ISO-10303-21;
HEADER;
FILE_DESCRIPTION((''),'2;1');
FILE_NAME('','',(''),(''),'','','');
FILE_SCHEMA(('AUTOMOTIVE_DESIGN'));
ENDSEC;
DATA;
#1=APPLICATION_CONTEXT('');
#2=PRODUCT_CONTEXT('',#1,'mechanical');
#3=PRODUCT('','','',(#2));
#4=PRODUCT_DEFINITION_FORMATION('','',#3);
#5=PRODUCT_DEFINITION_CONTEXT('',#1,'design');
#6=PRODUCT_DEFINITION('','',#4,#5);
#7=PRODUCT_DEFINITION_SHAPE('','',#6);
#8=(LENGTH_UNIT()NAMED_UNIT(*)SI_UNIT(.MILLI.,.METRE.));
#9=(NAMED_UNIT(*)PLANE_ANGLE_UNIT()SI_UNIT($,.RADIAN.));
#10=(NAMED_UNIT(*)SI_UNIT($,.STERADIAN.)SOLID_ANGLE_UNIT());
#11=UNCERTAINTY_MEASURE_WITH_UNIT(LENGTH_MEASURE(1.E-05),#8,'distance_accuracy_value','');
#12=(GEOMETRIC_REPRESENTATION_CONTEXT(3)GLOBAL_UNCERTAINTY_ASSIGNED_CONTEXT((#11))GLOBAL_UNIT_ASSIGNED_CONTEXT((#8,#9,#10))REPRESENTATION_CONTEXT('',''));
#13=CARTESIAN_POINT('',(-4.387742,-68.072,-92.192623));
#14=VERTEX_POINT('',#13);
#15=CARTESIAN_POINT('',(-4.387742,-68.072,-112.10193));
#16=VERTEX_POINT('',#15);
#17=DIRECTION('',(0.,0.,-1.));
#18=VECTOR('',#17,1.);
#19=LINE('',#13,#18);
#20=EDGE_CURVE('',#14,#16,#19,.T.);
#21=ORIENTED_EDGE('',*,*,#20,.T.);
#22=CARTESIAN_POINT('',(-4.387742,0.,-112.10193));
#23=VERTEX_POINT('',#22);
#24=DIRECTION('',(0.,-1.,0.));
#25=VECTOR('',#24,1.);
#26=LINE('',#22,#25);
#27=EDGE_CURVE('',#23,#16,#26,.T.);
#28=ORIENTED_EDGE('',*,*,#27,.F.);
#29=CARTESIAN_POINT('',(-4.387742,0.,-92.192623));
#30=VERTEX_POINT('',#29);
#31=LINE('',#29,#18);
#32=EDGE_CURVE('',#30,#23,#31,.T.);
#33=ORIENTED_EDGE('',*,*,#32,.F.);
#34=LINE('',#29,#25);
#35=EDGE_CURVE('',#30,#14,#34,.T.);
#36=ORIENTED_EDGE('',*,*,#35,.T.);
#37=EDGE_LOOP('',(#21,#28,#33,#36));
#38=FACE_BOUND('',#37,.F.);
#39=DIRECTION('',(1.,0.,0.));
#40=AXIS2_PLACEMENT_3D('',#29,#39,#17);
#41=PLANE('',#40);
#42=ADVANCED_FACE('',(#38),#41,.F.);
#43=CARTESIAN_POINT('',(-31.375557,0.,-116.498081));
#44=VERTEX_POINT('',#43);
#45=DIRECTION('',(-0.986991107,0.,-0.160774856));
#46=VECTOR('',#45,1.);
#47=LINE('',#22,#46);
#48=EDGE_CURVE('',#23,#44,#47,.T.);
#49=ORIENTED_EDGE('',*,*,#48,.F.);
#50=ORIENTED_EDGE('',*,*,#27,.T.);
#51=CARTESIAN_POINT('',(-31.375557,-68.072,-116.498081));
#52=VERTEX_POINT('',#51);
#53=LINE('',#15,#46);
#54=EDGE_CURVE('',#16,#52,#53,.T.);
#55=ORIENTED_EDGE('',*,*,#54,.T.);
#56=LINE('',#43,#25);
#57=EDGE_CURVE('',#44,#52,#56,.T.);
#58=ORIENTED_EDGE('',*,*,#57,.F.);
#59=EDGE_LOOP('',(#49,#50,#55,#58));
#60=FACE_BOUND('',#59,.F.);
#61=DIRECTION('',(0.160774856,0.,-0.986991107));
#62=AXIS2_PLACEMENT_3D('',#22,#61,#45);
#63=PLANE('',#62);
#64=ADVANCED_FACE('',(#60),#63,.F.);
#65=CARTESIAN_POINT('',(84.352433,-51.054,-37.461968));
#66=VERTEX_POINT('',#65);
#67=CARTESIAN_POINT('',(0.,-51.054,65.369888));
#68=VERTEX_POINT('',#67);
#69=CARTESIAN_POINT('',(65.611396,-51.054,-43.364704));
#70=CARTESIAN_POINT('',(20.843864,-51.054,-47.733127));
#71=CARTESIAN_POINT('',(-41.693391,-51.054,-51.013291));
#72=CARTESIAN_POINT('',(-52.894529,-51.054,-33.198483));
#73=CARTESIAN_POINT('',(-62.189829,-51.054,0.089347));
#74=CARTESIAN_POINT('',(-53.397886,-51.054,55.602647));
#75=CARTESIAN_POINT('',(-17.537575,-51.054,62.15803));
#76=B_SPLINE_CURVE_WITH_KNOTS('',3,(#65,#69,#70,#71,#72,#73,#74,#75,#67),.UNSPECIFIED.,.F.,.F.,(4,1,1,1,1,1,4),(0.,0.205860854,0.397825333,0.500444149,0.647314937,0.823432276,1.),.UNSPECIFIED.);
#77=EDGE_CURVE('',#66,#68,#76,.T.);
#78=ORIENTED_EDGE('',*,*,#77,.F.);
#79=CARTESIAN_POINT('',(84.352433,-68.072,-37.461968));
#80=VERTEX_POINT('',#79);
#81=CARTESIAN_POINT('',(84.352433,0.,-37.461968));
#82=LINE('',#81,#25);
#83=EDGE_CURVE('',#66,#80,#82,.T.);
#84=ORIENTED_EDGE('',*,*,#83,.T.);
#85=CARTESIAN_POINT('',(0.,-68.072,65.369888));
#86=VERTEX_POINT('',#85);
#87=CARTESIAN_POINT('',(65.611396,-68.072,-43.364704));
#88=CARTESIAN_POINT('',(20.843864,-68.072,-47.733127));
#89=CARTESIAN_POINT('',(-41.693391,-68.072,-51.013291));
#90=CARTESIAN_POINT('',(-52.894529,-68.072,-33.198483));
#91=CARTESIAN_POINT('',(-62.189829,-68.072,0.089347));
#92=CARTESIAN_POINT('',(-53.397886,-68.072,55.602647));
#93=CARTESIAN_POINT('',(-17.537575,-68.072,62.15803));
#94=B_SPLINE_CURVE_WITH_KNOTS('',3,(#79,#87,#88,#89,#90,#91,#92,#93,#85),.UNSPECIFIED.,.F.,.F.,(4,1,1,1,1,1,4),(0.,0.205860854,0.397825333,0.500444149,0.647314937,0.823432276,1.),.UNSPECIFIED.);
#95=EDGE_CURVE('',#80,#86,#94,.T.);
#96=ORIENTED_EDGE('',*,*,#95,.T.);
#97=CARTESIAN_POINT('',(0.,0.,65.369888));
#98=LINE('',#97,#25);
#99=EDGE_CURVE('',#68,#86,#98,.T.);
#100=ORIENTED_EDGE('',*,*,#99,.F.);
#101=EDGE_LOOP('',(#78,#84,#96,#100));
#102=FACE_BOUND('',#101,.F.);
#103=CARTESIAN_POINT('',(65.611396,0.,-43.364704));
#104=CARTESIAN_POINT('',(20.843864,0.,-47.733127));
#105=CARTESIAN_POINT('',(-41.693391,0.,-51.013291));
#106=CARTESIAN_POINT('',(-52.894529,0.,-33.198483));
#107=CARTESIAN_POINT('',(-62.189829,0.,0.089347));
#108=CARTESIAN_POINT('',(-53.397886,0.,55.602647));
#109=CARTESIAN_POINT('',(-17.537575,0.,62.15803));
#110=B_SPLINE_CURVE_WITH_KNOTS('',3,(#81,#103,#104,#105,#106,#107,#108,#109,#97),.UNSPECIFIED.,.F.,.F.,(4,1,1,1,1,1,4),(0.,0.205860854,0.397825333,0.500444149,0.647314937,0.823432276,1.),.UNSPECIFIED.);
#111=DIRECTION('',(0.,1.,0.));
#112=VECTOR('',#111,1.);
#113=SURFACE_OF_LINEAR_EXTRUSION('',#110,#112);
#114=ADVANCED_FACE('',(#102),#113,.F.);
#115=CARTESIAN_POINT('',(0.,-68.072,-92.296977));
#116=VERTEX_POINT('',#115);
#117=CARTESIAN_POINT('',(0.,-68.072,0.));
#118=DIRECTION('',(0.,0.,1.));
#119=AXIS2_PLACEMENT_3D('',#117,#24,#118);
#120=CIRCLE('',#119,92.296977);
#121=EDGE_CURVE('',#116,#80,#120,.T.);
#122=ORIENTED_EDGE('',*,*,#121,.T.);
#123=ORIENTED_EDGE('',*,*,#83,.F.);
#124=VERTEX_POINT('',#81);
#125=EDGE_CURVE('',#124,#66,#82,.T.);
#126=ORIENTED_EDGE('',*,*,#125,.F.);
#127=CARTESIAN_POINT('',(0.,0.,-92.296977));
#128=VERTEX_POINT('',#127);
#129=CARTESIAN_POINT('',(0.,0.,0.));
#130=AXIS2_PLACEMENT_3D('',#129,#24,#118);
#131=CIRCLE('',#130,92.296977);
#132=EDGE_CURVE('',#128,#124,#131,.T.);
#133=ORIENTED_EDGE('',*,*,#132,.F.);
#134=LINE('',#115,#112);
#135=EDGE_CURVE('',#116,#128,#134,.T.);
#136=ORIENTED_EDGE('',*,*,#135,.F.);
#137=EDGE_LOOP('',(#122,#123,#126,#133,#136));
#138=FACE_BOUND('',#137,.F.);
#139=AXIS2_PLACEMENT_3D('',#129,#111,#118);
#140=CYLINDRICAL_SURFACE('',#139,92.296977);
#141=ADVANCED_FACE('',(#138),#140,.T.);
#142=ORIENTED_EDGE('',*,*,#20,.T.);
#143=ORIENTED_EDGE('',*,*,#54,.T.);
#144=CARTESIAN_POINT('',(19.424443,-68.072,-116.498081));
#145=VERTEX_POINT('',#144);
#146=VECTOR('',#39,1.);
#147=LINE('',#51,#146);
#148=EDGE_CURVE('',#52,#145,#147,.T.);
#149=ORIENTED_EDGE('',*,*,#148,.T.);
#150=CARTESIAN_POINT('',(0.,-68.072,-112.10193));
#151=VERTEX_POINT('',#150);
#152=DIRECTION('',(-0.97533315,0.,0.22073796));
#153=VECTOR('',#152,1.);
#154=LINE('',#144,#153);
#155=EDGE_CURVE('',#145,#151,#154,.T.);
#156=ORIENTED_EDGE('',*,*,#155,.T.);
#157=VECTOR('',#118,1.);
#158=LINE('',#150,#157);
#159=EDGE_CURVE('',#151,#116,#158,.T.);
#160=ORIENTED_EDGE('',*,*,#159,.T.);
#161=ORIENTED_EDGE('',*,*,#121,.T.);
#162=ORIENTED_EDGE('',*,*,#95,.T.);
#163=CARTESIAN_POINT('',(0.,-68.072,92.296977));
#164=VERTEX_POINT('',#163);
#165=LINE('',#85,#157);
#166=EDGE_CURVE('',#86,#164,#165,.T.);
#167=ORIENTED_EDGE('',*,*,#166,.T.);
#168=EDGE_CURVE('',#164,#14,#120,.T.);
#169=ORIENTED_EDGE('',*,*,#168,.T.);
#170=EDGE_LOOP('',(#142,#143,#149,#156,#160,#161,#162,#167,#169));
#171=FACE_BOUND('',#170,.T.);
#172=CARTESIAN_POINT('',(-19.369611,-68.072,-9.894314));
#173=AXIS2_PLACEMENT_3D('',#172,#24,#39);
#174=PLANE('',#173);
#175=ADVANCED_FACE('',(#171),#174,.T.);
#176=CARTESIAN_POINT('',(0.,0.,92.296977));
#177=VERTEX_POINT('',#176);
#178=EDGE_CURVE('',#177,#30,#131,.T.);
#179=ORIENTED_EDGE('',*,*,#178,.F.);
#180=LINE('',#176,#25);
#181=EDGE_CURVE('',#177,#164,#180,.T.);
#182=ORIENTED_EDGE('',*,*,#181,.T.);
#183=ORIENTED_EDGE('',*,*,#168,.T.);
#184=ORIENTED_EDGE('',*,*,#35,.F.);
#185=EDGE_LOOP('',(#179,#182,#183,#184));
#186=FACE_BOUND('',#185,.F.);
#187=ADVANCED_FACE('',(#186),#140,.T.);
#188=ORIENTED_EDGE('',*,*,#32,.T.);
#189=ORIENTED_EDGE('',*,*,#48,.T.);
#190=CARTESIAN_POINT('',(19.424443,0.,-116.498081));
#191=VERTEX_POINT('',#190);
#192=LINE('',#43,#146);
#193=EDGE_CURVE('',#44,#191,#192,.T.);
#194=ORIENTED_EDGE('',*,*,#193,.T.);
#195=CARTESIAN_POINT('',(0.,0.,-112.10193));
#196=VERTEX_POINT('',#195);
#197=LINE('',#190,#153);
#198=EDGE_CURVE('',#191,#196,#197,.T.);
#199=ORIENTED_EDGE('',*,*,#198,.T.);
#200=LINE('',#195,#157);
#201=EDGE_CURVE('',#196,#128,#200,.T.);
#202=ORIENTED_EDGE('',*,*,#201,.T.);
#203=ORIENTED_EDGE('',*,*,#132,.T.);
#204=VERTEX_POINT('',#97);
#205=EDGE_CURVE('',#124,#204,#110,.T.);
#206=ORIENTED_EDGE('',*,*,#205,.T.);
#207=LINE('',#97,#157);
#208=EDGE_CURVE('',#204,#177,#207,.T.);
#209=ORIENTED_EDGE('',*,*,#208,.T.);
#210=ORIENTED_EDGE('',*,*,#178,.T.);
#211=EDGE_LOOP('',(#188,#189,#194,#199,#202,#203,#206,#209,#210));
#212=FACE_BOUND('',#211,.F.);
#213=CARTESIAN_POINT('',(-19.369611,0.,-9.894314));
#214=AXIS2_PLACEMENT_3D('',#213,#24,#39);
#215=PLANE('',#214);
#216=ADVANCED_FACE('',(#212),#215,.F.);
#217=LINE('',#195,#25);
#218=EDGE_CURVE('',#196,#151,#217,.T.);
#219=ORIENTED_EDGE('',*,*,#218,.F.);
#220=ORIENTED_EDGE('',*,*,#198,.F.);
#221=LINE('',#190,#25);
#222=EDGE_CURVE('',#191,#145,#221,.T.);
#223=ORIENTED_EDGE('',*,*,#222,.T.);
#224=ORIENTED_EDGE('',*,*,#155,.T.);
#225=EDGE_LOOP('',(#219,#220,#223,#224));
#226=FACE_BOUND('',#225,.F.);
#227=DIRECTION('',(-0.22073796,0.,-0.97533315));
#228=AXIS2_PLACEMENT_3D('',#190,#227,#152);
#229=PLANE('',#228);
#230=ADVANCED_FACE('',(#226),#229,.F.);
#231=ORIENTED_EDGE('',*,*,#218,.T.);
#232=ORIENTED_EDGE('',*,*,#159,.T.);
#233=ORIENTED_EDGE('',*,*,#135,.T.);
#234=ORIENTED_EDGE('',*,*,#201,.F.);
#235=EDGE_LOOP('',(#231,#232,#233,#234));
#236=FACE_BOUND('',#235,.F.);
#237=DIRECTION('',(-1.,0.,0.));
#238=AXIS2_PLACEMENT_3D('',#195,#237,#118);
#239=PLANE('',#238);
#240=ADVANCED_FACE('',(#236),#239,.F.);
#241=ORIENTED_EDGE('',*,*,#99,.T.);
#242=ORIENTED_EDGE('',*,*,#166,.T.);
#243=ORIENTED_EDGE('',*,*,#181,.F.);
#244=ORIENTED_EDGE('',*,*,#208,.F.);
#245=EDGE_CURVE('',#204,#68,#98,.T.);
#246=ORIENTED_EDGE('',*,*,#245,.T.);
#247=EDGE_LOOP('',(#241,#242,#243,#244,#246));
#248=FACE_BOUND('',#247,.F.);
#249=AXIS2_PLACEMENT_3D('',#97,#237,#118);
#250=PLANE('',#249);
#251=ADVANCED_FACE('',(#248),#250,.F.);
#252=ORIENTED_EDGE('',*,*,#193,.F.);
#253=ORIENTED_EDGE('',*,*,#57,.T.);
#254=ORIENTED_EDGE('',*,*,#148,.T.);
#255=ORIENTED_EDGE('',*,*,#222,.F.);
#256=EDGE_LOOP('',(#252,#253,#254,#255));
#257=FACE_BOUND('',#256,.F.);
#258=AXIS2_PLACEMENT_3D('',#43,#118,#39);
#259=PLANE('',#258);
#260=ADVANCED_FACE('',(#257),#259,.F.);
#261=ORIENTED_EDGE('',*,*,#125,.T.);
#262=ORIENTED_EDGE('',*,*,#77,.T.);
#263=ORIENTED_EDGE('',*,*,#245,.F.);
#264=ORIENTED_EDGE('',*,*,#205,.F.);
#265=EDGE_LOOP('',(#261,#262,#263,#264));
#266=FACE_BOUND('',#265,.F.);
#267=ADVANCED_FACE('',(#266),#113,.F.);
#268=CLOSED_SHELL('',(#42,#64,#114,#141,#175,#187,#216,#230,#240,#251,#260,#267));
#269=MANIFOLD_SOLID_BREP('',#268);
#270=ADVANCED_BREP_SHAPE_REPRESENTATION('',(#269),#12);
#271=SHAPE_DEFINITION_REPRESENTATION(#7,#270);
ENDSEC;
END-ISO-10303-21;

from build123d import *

# Parameters (mm, degrees)
F1_DEPTH = 51.054
F2_DEPTH = 68.072


with BuildPart() as f1:
    # F0 (on Front) → F1 (new body)
    with BuildSketch(Plane.XZ):
        with BuildLine():
            Line((0, 65.3698882345), (0, 92.296976882))
            ThreePointArc((0, 92.296976882), (-92.2708846232, 2.1944913782), (-4.3877419956, -92.1926225993))
            ThreePointArc((-4.3877419956, -92.1926225993), (-2.1944913782, -92.2708846232), (0, -92.296976882))
            ThreePointArc((0, -92.296976882), (50.3045998388, -77.3833262183), (84.3524325739, -37.4619681866))
            add(Edge.make_bspline(
                [(84.3524325739, -37.4619681866), (65.6113964466, -43.3647037399), (20.843864142, -47.7331270112), (-41.6933908552, -51.0132913621), (-52.894529122, -33.1984833955), (-62.1898292751, 0.0893474898), (-53.3978858629, 55.6026465711), (-17.5375749532, 62.1580298723), (0, 65.3698882345)],
                knots=[0, 0, 0, 0, 0.205860854, 0.3978253327, 0.500444149, 0.6473149368, 0.8234322757, 1, 1, 1, 1], degree=3))
        make_face()
    extrude(amount=F1_DEPTH)

    # F0 (on Front) → F2 (join)
    with BuildSketch(Plane.XZ):
        with BuildLine():
            Line((0, 65.3698882345), (0, 92.296976882))
            ThreePointArc((0, 92.296976882), (-92.2708846232, 2.1944913782), (-4.3877419956, -92.1926225993))
            ThreePointArc((-4.3877419956, -92.1926225993), (-2.1944913782, -92.2708846232), (0, -92.296976882))
            ThreePointArc((0, -92.296976882), (50.3045998388, -77.3833262183), (84.3524325739, -37.4619681866))
            add(Edge.make_bspline(
                [(84.3524325739, -37.4619681866), (65.6113964466, -43.3647037399), (20.843864142, -47.7331270112), (-41.6933908552, -51.0132913621), (-52.894529122, -33.1984833955), (-62.1898292751, 0.0893474898), (-53.3978858629, 55.6026465711), (-17.5375749532, 62.1580298723), (0, 65.3698882345)],
                knots=[0, 0, 0, 0, 0.205860854, 0.3978253327, 0.500444149, 0.6473149368, 0.8234322757, 1, 1, 1, 1], degree=3))
        make_face()
        with BuildLine():
            ThreePointArc((0, -92.296976882), (-2.1944913782, -92.2708846232), (-4.3877419956, -92.1926225993))
            Line((-4.3877419956, -92.1926225993), (-4.3877419956, -112.10192967))
            Line((-4.3877419956, -112.10192967), (-31.3755569706, -116.4980808058))
            Line((-31.3755569706, -116.4980808058), (19.4244430294, -116.4980808058))
            Line((19.4244430294, -116.4980808058), (0, -112.10192967))
            Line((0, -112.10192967), (0, -92.296976882))
        make_face()
    extrude(amount=F2_DEPTH)


solid = f1.part
